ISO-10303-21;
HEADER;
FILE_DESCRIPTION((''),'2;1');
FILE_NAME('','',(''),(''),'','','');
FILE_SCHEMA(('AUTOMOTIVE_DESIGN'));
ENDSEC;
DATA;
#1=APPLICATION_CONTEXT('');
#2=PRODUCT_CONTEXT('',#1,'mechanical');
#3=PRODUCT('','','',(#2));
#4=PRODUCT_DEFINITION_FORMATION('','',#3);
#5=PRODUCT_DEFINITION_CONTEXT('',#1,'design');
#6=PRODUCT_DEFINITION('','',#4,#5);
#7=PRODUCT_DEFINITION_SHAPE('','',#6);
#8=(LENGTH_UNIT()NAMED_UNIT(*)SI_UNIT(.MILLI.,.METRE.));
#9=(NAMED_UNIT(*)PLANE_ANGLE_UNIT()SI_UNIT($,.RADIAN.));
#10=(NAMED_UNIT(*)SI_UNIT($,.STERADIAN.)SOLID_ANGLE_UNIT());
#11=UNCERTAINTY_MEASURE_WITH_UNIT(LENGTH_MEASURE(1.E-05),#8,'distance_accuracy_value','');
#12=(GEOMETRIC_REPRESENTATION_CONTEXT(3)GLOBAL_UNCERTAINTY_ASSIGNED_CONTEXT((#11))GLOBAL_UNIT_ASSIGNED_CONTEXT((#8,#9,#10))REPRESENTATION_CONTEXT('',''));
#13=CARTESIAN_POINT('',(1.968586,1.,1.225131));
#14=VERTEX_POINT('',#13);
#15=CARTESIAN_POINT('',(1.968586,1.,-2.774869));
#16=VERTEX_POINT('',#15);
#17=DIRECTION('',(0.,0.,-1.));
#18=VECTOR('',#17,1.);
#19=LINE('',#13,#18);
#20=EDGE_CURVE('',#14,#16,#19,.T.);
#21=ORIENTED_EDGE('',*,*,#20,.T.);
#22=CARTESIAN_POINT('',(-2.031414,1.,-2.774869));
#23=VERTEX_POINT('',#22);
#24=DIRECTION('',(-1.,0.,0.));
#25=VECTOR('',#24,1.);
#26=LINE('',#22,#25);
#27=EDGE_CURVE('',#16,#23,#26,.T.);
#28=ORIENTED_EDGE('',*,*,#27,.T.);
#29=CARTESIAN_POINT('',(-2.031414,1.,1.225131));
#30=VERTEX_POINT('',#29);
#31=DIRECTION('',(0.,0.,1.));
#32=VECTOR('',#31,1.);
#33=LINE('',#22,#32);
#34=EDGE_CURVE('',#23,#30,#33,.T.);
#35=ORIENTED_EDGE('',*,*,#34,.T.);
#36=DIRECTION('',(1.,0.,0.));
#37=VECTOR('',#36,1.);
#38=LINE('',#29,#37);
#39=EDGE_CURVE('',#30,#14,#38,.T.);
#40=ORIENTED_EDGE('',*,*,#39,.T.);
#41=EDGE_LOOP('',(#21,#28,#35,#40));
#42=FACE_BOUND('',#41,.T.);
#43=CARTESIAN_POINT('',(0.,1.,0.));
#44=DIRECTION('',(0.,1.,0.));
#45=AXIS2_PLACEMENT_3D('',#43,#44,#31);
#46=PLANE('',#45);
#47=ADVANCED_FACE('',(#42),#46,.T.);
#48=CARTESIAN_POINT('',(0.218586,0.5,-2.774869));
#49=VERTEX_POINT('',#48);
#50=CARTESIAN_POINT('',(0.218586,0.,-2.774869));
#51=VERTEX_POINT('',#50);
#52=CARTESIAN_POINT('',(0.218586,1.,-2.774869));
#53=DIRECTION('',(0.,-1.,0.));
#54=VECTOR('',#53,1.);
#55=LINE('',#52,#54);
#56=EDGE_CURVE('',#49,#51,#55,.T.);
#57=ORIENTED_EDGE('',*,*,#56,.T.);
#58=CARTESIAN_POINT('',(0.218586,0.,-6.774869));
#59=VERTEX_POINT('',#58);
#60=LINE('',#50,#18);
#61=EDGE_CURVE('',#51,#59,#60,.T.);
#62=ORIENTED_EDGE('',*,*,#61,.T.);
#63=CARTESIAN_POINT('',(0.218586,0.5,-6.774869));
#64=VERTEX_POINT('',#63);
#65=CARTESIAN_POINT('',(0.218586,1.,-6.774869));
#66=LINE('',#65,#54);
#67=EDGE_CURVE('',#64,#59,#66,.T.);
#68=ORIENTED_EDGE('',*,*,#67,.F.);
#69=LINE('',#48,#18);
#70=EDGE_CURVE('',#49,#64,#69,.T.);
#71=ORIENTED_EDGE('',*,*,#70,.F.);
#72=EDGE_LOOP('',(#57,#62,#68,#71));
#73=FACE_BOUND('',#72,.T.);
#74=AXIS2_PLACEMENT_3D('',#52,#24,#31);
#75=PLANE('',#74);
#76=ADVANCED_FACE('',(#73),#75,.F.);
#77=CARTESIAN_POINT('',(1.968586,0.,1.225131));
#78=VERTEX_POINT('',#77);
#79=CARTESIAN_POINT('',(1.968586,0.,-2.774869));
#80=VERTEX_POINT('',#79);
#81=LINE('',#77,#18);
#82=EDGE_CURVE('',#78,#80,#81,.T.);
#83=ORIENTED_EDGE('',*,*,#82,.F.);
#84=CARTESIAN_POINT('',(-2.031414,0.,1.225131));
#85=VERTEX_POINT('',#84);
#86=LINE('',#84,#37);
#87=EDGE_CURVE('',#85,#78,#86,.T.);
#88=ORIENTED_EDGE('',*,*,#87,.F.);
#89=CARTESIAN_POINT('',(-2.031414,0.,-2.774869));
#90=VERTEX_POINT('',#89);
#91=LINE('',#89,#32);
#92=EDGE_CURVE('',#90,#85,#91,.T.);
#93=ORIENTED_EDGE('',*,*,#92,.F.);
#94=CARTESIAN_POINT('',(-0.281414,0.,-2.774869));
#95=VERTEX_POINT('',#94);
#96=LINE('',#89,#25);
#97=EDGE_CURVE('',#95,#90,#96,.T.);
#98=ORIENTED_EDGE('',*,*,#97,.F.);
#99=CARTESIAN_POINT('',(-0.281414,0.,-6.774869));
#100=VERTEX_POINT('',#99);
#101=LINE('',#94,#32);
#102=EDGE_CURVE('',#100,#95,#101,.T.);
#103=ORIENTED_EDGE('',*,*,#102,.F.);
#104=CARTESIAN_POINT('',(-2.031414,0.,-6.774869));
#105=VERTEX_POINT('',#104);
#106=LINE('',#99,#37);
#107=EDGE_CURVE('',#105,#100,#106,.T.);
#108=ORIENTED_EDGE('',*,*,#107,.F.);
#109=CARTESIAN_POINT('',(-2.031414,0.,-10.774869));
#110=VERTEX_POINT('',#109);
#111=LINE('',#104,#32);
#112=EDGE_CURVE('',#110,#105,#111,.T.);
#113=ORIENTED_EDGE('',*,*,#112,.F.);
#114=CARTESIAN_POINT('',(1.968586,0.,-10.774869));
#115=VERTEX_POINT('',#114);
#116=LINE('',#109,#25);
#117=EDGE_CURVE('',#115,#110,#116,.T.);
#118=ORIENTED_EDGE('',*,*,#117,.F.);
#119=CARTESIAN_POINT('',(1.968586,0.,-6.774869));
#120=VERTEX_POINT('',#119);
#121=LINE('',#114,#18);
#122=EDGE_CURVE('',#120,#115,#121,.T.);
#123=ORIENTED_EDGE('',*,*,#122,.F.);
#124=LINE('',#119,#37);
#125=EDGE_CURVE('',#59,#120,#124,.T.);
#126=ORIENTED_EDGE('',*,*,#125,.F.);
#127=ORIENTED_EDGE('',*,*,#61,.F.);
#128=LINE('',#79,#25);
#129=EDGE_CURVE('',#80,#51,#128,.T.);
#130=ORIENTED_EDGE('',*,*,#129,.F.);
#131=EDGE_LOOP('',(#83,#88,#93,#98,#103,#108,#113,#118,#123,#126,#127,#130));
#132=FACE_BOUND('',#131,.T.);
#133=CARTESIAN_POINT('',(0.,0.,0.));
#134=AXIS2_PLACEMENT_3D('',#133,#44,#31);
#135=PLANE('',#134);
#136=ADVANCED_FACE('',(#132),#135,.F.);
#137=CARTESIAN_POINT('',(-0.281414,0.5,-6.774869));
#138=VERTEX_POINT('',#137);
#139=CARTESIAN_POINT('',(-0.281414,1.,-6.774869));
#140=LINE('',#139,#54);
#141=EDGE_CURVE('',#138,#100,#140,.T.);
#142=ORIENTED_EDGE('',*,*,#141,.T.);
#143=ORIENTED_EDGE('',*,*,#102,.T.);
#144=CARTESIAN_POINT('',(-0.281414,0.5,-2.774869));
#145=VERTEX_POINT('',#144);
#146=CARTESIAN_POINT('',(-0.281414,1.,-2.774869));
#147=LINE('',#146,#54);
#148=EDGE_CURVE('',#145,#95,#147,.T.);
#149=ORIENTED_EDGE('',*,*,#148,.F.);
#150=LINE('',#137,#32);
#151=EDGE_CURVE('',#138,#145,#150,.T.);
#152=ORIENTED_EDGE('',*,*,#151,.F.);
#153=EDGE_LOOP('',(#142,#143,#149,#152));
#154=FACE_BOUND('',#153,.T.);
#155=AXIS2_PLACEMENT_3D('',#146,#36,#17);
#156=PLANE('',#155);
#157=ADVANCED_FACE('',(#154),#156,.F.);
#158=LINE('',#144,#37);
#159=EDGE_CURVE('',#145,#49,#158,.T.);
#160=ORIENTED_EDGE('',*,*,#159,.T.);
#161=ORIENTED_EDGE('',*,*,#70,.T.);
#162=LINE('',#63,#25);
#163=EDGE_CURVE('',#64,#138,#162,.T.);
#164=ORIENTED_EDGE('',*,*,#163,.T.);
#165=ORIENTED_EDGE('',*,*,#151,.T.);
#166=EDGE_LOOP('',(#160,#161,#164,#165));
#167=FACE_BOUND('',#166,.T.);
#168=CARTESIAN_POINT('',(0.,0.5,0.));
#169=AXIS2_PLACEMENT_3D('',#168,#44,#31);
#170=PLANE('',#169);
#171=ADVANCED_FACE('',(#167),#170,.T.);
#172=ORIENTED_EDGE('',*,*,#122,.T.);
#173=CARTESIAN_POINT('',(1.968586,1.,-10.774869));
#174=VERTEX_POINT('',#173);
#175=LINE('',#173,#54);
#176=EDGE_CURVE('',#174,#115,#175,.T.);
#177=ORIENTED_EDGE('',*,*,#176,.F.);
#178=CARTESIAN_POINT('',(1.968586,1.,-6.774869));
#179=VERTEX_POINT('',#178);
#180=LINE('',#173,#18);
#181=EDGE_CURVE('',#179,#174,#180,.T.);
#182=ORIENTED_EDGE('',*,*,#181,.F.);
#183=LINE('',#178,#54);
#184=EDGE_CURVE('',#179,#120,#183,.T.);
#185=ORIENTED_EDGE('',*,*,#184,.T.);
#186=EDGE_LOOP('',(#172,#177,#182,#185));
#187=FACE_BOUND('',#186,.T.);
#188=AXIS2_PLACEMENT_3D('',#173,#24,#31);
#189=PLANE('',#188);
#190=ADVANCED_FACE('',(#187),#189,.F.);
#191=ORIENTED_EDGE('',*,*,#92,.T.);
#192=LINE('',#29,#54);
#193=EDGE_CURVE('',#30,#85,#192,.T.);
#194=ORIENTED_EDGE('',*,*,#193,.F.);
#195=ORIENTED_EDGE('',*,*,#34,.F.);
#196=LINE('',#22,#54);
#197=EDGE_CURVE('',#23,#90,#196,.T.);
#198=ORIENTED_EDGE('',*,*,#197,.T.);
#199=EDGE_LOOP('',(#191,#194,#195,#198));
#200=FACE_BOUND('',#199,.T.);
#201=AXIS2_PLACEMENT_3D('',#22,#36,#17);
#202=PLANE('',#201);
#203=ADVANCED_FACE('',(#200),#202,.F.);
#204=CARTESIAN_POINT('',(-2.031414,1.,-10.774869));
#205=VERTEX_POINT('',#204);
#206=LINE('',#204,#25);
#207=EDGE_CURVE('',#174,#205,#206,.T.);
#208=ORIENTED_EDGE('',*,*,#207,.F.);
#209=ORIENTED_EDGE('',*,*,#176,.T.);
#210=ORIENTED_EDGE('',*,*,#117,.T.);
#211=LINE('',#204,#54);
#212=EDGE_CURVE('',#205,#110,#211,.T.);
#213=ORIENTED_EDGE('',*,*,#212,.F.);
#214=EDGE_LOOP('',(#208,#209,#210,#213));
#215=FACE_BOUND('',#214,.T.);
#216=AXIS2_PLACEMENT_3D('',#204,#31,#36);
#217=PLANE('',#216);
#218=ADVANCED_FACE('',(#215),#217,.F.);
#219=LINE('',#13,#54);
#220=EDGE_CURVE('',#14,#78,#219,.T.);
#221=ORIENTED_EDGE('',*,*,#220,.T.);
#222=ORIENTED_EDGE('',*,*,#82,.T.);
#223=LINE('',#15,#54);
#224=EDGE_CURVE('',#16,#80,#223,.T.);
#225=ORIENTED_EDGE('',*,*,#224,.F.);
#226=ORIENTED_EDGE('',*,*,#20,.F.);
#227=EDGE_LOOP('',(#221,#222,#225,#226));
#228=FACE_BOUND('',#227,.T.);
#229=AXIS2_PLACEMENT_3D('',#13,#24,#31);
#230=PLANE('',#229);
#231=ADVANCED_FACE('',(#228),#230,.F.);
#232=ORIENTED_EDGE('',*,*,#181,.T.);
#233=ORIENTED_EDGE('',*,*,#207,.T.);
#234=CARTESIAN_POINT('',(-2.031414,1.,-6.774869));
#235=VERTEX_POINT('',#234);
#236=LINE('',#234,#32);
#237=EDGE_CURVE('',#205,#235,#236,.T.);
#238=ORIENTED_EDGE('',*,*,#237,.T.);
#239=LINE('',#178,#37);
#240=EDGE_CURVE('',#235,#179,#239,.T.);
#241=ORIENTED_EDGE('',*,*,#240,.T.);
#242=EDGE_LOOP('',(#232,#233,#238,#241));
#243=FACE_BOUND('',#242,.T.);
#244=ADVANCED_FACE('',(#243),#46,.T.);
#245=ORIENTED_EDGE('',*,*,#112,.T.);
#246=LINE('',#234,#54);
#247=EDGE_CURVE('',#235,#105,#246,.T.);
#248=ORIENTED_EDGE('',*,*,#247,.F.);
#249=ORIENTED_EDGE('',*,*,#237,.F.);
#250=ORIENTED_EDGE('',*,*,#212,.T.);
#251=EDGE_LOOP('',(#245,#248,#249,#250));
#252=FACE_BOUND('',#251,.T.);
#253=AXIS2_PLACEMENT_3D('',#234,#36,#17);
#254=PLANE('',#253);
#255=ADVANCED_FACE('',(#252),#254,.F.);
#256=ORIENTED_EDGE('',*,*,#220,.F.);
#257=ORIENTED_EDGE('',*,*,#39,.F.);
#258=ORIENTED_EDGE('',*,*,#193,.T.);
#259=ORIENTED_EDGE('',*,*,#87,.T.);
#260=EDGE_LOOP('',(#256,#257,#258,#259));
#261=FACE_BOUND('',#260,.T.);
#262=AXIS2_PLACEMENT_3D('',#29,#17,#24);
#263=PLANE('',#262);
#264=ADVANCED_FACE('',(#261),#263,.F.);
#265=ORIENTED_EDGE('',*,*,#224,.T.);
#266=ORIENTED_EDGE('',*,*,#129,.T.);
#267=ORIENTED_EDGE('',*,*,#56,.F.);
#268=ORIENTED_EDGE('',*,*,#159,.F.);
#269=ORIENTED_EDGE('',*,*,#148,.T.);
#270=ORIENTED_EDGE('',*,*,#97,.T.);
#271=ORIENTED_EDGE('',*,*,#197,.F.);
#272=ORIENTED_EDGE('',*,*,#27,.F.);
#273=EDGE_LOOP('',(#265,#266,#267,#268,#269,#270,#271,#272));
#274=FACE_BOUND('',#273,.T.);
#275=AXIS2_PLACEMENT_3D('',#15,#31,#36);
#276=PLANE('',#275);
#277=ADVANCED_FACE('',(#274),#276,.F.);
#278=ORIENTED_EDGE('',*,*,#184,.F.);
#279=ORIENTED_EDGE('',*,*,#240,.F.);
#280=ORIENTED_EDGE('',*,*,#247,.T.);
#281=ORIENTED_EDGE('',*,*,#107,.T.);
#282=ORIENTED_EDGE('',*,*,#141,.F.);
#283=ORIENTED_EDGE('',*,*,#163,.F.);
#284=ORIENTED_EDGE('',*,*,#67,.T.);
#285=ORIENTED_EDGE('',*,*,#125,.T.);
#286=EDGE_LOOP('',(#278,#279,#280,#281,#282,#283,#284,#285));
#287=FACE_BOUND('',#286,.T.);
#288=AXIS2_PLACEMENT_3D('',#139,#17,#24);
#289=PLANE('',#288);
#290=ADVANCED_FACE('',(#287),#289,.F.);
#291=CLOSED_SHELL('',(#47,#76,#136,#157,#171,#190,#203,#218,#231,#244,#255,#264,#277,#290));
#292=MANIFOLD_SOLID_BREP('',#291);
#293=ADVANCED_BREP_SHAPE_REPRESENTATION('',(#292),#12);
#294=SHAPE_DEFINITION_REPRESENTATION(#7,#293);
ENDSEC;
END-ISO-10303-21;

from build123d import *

# Parameters (mm, degrees)
BOSS_EXTRUDE1_DEPTH = 1
SKETCH4_W           = 0.5
SKETCH4_H           = 4
CUT_EXTRUDE1_DEPTH  = 0.5


with BuildPart() as part:
    # Sketch3 → Boss-Extrude1 (new body)
    with BuildSketch(Plane(origin=(0, 0, 0), x_dir=(1, 0, 0), z_dir=(0, 1, 0))):
        Polygon((-2.031413613, 2.77486911), (-2.031413613, -1.22513089), (1.968586387, -1.22513089), (1.968586387, 2.77486911), (0.218586387, 2.77486911), (0.218586387, 6.77486911), (1.968586387, 6.77486911), (1.968586387, 10.77486911), (-2.031413613, 10.77486911), (-2.031413613, 6.77486911), (-0.281413613, 6.77486911), (-0.281413613, 2.77486911), align=None)
    extrude(amount=BOSS_EXTRUDE1_DEPTH)

    # Sketch4 → Cut-Extrude1 (cut)
    with BuildSketch(Plane(origin=(0, 1, 0), x_dir=(1, 0, 0), z_dir=(0, 1, 0))):
        with Locations((-0.031413613, 4.77486911)):
            Rectangle(SKETCH4_W, SKETCH4_H)
    extrude(amount=-CUT_EXTRUDE1_DEPTH, mode=Mode.SUBTRACT)


solid = part.part
